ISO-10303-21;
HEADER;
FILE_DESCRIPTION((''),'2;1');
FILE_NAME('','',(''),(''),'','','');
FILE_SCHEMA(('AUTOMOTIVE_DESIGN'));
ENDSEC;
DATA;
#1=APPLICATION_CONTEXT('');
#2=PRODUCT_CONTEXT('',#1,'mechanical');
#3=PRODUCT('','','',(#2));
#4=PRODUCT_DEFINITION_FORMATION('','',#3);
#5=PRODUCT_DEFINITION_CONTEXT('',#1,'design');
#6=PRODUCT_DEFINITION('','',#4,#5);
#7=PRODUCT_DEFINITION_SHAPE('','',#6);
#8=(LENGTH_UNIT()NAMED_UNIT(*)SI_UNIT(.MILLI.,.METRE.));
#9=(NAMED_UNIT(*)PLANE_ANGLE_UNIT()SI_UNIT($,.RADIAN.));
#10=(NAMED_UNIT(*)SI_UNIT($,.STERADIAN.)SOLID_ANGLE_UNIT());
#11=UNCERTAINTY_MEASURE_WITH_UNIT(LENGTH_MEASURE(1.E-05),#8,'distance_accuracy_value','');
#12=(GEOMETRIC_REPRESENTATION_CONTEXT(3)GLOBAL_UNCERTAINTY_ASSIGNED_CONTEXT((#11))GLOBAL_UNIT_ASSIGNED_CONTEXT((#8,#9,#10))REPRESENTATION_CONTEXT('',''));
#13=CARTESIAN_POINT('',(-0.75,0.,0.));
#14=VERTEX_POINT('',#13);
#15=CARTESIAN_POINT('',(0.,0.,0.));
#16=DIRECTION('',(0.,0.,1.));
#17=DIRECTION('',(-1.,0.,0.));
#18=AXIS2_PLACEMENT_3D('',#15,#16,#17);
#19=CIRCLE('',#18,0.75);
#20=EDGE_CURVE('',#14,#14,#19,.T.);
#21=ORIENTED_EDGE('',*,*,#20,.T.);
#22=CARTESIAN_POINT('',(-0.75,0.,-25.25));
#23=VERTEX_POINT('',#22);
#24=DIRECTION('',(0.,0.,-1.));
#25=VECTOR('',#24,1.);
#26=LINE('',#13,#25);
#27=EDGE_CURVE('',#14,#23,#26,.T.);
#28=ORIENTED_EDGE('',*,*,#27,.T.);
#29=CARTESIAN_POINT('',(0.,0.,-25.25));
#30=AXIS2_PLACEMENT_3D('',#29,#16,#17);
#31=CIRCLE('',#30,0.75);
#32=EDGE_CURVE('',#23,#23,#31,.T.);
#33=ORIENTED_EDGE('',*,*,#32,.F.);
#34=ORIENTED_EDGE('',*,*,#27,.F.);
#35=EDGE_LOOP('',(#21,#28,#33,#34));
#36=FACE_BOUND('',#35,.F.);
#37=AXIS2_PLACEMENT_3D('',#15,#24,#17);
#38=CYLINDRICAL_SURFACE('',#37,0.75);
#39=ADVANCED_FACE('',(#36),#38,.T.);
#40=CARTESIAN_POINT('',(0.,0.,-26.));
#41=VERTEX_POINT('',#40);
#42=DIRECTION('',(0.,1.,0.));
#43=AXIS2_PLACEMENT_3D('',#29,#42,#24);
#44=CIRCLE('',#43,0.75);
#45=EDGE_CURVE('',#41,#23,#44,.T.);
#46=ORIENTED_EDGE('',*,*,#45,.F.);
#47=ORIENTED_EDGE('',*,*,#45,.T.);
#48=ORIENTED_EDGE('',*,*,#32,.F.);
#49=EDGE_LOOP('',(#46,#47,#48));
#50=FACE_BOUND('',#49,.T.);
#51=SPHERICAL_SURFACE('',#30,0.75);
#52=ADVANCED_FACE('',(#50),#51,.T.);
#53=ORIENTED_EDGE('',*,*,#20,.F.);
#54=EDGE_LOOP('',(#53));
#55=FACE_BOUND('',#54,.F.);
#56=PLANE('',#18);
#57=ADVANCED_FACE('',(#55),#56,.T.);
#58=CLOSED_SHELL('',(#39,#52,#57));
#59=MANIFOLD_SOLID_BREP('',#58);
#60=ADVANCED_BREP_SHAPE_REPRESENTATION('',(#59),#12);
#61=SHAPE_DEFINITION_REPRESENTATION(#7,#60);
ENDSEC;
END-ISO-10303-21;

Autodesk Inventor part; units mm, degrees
ref_plane "YZ Plane" through (0, 0, 0) normal (1, 0, 0) x (0, 1, 0)
ref_plane "XZ Plane" through (0, 0, 0) normal (0, 1, 0) x (-1, 0, 0)
ref_plane "XY Plane" through (0, 0, 0) normal (0, 0, 1) x (1, 0, 0)
sketch "Sketch1" plane through (0, 0, 0) normal (0, 1, 0) x (-1, 0, 0)
  line L0 (0, 0) -> (0.75, 0)
  line L1 (0.75, 0) -> (0.75, -25.25)
  line L2 (0, -26) -> (0, 0)
  arc A0 (0, -26) -> (0.75, -25.25) centre (0, -25.25) ccw
  dimension "d4" = 26
  dimension "d5" = 0.75
revolve "Revolution1" add sketch "Sketch1" angle 360 about axis through (0, 0, -26) along (0, 0, 1)
properties part number "stylus_nib"
